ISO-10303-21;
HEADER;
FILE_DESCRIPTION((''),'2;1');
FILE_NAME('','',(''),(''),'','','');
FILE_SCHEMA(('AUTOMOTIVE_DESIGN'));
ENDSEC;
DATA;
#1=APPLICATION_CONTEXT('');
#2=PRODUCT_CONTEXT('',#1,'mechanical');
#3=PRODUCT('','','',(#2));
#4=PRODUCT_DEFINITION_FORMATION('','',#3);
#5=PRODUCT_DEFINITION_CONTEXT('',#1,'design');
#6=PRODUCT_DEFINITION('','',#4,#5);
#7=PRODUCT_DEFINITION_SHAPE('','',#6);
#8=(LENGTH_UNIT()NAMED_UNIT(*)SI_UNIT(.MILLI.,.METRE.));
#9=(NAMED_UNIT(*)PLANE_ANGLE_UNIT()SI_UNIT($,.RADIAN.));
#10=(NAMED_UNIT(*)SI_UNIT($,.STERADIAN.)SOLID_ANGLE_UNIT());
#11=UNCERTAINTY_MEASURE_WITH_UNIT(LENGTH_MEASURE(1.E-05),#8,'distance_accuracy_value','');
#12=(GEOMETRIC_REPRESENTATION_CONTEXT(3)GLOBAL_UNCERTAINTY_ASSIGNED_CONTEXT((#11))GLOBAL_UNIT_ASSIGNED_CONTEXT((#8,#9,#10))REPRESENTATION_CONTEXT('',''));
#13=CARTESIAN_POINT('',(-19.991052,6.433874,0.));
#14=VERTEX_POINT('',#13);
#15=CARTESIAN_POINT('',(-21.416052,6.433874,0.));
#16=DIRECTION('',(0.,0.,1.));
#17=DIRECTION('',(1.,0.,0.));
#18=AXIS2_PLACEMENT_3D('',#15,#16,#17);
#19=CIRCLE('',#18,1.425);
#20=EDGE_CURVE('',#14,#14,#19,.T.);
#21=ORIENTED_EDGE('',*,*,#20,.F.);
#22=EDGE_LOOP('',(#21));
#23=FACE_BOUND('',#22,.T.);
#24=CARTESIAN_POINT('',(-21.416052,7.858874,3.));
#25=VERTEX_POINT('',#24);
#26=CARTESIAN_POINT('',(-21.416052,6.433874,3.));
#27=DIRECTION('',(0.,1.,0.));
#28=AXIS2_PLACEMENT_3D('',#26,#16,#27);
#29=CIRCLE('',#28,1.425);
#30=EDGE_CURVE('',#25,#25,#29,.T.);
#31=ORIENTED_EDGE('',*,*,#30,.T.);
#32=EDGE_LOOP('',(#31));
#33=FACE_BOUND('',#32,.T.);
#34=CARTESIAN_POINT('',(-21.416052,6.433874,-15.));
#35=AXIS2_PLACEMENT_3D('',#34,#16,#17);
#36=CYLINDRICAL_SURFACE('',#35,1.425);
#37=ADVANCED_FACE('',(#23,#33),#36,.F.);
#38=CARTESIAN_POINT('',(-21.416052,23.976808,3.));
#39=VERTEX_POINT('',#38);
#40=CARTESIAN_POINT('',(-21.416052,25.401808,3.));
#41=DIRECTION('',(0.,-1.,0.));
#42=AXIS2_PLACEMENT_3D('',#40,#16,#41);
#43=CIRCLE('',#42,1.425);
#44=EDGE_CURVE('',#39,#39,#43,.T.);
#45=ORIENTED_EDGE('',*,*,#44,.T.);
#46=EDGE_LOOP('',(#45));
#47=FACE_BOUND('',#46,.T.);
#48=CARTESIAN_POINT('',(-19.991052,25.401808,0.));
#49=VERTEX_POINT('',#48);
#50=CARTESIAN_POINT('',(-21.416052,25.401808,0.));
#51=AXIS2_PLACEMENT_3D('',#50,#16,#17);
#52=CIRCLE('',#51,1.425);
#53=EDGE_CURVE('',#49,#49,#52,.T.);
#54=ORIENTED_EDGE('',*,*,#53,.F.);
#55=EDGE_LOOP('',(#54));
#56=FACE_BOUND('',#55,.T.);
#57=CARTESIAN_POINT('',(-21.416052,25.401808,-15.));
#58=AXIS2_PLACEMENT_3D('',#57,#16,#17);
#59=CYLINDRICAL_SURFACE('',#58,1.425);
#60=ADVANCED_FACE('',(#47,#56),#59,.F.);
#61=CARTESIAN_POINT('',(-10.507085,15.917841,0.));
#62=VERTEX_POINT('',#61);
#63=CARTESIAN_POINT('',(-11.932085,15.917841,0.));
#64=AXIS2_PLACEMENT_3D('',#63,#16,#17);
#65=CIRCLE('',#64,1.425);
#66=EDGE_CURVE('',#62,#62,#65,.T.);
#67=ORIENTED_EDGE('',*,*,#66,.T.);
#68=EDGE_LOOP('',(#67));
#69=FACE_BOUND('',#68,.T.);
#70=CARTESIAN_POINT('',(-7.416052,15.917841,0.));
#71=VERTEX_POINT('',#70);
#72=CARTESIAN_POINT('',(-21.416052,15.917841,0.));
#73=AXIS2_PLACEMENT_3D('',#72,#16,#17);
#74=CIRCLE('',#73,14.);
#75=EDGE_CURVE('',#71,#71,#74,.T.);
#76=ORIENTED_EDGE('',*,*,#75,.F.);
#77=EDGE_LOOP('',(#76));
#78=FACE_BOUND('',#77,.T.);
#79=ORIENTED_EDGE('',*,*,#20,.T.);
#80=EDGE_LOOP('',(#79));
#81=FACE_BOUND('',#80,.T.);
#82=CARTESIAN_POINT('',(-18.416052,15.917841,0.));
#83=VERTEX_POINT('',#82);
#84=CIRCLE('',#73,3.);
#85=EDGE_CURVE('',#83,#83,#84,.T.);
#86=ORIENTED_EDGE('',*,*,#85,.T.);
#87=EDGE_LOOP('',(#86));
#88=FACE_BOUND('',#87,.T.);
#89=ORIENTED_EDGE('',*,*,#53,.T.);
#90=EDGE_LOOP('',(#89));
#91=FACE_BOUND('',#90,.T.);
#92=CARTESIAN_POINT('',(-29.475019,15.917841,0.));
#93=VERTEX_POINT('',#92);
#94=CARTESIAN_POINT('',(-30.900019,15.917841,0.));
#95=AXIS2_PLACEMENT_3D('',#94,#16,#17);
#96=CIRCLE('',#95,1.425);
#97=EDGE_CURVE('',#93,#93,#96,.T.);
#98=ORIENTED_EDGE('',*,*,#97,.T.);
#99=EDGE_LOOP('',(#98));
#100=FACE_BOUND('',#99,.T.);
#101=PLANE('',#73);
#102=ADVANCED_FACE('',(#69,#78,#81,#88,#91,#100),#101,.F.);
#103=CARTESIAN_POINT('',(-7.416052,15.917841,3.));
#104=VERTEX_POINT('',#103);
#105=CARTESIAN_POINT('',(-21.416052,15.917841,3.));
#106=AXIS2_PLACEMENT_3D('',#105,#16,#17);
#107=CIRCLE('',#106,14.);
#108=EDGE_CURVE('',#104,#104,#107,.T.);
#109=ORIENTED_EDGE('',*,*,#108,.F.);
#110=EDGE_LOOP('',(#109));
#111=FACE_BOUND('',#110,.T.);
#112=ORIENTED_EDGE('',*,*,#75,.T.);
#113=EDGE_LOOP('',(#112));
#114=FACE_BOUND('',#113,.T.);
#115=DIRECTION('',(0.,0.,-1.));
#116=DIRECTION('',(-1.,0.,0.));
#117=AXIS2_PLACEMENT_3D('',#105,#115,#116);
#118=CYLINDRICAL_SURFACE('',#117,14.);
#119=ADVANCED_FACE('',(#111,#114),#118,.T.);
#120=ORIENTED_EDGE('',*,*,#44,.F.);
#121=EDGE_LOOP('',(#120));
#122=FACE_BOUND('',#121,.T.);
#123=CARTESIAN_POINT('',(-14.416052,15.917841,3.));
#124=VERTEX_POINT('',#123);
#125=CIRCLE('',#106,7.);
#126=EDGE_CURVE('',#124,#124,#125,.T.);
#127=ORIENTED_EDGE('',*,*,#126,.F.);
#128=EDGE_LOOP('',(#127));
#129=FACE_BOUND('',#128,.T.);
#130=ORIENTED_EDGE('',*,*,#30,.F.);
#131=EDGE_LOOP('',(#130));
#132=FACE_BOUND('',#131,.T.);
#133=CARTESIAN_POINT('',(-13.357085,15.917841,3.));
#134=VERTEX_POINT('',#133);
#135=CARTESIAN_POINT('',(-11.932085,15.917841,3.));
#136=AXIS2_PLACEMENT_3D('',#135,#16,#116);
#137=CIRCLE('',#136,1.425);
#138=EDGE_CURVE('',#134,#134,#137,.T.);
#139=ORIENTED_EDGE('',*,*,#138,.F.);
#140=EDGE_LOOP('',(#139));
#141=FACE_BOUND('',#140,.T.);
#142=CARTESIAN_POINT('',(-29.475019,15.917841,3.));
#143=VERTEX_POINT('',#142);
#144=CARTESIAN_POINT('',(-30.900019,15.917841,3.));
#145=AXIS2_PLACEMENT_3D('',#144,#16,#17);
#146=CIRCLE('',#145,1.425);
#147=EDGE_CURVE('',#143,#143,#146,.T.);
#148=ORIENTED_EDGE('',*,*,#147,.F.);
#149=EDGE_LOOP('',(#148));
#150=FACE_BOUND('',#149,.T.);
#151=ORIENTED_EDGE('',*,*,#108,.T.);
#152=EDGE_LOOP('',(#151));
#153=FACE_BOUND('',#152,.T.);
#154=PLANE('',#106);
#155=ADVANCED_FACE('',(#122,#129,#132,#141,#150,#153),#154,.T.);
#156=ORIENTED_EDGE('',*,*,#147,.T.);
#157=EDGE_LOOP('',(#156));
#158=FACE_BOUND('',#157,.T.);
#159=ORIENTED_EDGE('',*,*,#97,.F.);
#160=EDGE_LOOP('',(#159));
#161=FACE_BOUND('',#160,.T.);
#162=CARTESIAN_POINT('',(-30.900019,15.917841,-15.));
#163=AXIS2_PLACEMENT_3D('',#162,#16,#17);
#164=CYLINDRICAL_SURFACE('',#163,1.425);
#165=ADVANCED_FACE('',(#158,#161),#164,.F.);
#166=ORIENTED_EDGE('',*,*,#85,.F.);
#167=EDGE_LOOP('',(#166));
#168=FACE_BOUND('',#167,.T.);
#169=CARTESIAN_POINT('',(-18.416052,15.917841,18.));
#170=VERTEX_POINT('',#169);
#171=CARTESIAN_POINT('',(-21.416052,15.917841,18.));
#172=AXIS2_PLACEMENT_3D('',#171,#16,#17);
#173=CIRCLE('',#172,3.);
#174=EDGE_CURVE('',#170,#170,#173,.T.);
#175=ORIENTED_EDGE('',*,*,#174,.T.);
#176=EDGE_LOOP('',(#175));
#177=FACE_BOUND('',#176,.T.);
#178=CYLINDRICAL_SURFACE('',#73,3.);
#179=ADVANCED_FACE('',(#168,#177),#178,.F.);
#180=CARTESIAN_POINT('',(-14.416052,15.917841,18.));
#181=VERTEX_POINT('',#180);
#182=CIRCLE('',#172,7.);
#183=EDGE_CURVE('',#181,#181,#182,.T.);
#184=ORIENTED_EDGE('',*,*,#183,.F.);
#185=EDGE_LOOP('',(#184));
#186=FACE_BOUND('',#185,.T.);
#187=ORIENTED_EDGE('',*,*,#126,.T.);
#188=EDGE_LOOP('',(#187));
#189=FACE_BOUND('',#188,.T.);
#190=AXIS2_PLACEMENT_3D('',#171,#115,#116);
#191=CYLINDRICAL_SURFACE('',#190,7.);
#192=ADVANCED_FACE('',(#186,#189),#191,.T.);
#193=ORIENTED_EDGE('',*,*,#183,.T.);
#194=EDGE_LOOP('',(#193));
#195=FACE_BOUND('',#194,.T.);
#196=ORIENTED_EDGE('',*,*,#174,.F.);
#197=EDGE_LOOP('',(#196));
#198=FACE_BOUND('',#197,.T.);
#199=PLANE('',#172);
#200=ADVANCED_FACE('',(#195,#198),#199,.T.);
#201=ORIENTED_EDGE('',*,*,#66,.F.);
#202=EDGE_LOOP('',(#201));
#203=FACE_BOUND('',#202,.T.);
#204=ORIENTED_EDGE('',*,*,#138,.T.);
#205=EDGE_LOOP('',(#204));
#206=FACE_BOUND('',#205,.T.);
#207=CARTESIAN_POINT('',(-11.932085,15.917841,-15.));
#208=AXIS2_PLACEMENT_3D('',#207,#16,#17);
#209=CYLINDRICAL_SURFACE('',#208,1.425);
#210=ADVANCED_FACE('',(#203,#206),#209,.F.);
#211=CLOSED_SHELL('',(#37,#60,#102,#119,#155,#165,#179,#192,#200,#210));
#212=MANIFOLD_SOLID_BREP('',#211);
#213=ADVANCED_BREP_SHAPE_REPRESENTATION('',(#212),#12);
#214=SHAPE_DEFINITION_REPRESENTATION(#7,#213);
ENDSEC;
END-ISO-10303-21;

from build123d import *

# Parameters (mm, degrees)
IZIM1_R                     = 14
Y_KSEKLIK_EKSTR_ZYON1_DEPTH = 3
IZIM2_R                     = 7
Y_KSEKLIK_EKSTR_ZYON2_DEPTH = 15
IZIM3_R                     = 3
KES_EKSTR_ZYON1_DEPTH       = 18
IZIM4_R                     = 1.425
KES_EKSTR_ZYON2_DEPTH       = 18
DAIRESEL_KAPLAMA1_COUNT     = 4


with BuildPart() as part:
    # Çizim1 → Yükseklik-Ekstrüzyon1 (new body)
    with BuildSketch(Plane.XY):
        with Locations((-21.416051853, 15.917841079)):
            Circle(IZIM1_R)
    extrude(amount=Y_KSEKLIK_EKSTR_ZYON1_DEPTH)

    # Çizim2 → Yükseklik-Ekstrüzyon2 (add)
    with BuildSketch(Plane.XY.offset(3)):
        with Locations((-21.416051853, 15.917841079)):
            Circle(IZIM2_R)
    extrude(amount=Y_KSEKLIK_EKSTR_ZYON2_DEPTH)

    # Çizim3 → Kes-Ekstrüzyon1 (cut)
    with BuildSketch(Plane.XY.offset(18)):
        with Locations((-21.416051853, 15.917841079)):
            Circle(IZIM3_R)
    extrude(amount=-KES_EKSTR_ZYON1_DEPTH, mode=Mode.SUBTRACT)

    # Çizim4 → Kes-Ekstrüzyon2 (cut)
    with BuildSketch(Plane.XY.offset(3)):
        with Locations((-30.900018725, 15.917841079)):
            Circle(IZIM4_R)
    kes_ekstr_zyon2 = extrude(amount=-KES_EKSTR_ZYON2_DEPTH, mode=Mode.SUBTRACT)

    # Dairesel Kaplama1: Kes-Ekstrüzyon2 ×4 about axis
    dairesel_kaplama1_axis = Axis((-21.416051853, 15.917841079, 0), (0, 0, 1))
    for i in range(1, DAIRESEL_KAPLAMA1_COUNT):
        add(kes_ekstr_zyon2.rotate(dairesel_kaplama1_axis, i * 360 / DAIRESEL_KAPLAMA1_COUNT), mode=Mode.SUBTRACT)


solid = part.part
